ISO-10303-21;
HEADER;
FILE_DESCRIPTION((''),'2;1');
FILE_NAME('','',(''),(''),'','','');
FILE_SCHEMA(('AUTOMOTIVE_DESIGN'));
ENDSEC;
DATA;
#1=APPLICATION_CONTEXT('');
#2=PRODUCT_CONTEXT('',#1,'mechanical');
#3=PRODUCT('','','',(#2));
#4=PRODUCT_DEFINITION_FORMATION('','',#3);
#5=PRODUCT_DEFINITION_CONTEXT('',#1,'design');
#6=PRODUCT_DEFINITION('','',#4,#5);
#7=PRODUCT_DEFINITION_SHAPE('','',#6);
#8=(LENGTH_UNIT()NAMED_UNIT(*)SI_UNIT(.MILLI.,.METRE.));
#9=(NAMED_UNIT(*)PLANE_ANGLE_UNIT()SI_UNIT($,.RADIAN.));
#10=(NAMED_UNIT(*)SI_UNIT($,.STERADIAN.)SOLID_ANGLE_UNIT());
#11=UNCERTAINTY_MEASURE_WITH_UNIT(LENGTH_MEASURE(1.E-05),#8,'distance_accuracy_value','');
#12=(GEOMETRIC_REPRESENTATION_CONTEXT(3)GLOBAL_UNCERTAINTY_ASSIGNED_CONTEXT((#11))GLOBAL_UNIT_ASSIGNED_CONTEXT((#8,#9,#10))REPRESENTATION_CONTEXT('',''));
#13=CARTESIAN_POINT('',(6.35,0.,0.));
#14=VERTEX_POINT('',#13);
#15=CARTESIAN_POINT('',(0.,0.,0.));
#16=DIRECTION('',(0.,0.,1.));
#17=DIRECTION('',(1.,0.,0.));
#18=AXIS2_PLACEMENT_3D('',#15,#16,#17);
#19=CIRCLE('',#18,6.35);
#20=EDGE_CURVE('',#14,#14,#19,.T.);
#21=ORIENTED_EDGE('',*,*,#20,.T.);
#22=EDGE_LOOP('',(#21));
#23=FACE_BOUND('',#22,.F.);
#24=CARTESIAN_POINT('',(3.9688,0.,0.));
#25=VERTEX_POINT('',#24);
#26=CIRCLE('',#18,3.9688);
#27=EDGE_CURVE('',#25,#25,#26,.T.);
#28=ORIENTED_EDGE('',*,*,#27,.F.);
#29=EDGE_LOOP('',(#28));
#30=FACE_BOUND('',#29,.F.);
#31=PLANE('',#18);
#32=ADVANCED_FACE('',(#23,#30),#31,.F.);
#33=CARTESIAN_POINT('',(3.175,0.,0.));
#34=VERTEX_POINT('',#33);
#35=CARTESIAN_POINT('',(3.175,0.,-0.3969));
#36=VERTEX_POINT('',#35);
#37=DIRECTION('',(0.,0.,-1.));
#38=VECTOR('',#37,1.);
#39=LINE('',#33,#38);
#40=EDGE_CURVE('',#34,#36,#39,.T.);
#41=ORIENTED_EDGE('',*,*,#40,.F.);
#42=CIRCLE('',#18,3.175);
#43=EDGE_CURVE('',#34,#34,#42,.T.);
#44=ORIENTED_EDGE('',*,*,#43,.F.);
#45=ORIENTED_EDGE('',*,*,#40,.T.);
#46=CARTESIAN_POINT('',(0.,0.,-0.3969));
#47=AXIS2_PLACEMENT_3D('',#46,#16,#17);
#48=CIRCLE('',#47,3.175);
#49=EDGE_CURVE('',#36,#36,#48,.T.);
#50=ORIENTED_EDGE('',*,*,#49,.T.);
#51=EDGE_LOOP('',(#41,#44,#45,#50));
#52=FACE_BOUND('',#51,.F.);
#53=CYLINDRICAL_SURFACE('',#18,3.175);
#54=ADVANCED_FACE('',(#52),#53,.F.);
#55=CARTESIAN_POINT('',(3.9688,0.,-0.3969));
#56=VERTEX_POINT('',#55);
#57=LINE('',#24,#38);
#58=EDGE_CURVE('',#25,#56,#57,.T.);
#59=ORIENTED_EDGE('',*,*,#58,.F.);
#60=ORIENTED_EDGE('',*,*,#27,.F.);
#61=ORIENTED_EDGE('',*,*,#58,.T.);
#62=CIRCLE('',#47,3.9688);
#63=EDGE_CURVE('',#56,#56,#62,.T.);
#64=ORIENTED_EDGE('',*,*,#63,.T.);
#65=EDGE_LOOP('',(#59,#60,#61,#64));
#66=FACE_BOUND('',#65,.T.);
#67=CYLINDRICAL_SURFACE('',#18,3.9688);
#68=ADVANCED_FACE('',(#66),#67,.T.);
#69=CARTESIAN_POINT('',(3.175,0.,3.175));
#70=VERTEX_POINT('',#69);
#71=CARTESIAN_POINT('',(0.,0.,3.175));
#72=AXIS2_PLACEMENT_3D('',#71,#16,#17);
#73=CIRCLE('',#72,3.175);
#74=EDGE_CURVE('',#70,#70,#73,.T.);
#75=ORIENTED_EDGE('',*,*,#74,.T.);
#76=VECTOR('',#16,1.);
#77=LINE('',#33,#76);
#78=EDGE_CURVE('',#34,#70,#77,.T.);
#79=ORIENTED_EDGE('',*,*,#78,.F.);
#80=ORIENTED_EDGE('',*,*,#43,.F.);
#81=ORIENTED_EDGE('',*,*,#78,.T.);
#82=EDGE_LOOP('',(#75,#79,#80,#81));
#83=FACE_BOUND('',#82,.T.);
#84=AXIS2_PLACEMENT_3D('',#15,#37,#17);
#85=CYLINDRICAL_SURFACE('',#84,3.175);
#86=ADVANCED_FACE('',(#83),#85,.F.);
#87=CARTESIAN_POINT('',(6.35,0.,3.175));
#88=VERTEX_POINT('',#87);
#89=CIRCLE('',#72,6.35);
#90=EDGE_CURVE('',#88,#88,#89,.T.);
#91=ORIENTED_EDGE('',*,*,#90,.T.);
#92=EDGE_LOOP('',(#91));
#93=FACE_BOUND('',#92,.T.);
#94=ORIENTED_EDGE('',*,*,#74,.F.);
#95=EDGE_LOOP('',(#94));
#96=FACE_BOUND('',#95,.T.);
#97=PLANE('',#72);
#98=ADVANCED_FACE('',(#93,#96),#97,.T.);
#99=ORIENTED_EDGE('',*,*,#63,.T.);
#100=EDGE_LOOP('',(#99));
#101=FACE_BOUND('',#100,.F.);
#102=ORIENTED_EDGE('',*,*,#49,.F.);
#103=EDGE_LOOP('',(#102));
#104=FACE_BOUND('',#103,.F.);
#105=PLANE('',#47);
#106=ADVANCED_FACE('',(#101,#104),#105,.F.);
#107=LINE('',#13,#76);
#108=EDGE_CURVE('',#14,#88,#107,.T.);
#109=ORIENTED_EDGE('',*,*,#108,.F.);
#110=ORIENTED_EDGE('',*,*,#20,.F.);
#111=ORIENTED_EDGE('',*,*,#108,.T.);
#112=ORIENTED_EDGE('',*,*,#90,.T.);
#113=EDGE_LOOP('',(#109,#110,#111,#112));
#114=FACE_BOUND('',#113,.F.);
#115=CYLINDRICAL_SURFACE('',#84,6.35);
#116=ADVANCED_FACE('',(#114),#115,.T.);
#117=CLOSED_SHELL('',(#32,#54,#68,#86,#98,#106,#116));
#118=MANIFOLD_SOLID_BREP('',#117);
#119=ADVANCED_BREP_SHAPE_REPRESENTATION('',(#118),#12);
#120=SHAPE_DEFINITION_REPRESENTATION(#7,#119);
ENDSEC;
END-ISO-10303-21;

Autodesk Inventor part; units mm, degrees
ref_plane "YZ Plane" through (0, 0, 0) normal (1, 0, 0) x (0, 1, 0)
ref_plane "XZ Plane" through (0, 0, 0) normal (0, 1, 0) x (-1, 0, 0)
ref_plane "XY Plane" through (0, 0, 0) normal (0, 0, 1) x (1, 0, 0)
sketch "Sketch1" plane through (0, 0, 0) normal (0, 0, 1) x (1, 0, 0)
  circle A0 centre (0, 0) radius 3.175
  circle A1 centre (0, 0) radius 6.35
  circle A2 centre (0, 0) radius 3.9688
  dimension "d0" = 6.35
  dimension "d1" = 12.7
  dimension "d4" = 7.9375
extrude "Extrusion1" add sketch "Sketch1" along normal blind 3.175 contours A1 | A2
extrude "Extrusion2" add sketch "Sketch1" against normal blind 0.3969 contours A2
properties part number "Plastic Gear Bushing"
